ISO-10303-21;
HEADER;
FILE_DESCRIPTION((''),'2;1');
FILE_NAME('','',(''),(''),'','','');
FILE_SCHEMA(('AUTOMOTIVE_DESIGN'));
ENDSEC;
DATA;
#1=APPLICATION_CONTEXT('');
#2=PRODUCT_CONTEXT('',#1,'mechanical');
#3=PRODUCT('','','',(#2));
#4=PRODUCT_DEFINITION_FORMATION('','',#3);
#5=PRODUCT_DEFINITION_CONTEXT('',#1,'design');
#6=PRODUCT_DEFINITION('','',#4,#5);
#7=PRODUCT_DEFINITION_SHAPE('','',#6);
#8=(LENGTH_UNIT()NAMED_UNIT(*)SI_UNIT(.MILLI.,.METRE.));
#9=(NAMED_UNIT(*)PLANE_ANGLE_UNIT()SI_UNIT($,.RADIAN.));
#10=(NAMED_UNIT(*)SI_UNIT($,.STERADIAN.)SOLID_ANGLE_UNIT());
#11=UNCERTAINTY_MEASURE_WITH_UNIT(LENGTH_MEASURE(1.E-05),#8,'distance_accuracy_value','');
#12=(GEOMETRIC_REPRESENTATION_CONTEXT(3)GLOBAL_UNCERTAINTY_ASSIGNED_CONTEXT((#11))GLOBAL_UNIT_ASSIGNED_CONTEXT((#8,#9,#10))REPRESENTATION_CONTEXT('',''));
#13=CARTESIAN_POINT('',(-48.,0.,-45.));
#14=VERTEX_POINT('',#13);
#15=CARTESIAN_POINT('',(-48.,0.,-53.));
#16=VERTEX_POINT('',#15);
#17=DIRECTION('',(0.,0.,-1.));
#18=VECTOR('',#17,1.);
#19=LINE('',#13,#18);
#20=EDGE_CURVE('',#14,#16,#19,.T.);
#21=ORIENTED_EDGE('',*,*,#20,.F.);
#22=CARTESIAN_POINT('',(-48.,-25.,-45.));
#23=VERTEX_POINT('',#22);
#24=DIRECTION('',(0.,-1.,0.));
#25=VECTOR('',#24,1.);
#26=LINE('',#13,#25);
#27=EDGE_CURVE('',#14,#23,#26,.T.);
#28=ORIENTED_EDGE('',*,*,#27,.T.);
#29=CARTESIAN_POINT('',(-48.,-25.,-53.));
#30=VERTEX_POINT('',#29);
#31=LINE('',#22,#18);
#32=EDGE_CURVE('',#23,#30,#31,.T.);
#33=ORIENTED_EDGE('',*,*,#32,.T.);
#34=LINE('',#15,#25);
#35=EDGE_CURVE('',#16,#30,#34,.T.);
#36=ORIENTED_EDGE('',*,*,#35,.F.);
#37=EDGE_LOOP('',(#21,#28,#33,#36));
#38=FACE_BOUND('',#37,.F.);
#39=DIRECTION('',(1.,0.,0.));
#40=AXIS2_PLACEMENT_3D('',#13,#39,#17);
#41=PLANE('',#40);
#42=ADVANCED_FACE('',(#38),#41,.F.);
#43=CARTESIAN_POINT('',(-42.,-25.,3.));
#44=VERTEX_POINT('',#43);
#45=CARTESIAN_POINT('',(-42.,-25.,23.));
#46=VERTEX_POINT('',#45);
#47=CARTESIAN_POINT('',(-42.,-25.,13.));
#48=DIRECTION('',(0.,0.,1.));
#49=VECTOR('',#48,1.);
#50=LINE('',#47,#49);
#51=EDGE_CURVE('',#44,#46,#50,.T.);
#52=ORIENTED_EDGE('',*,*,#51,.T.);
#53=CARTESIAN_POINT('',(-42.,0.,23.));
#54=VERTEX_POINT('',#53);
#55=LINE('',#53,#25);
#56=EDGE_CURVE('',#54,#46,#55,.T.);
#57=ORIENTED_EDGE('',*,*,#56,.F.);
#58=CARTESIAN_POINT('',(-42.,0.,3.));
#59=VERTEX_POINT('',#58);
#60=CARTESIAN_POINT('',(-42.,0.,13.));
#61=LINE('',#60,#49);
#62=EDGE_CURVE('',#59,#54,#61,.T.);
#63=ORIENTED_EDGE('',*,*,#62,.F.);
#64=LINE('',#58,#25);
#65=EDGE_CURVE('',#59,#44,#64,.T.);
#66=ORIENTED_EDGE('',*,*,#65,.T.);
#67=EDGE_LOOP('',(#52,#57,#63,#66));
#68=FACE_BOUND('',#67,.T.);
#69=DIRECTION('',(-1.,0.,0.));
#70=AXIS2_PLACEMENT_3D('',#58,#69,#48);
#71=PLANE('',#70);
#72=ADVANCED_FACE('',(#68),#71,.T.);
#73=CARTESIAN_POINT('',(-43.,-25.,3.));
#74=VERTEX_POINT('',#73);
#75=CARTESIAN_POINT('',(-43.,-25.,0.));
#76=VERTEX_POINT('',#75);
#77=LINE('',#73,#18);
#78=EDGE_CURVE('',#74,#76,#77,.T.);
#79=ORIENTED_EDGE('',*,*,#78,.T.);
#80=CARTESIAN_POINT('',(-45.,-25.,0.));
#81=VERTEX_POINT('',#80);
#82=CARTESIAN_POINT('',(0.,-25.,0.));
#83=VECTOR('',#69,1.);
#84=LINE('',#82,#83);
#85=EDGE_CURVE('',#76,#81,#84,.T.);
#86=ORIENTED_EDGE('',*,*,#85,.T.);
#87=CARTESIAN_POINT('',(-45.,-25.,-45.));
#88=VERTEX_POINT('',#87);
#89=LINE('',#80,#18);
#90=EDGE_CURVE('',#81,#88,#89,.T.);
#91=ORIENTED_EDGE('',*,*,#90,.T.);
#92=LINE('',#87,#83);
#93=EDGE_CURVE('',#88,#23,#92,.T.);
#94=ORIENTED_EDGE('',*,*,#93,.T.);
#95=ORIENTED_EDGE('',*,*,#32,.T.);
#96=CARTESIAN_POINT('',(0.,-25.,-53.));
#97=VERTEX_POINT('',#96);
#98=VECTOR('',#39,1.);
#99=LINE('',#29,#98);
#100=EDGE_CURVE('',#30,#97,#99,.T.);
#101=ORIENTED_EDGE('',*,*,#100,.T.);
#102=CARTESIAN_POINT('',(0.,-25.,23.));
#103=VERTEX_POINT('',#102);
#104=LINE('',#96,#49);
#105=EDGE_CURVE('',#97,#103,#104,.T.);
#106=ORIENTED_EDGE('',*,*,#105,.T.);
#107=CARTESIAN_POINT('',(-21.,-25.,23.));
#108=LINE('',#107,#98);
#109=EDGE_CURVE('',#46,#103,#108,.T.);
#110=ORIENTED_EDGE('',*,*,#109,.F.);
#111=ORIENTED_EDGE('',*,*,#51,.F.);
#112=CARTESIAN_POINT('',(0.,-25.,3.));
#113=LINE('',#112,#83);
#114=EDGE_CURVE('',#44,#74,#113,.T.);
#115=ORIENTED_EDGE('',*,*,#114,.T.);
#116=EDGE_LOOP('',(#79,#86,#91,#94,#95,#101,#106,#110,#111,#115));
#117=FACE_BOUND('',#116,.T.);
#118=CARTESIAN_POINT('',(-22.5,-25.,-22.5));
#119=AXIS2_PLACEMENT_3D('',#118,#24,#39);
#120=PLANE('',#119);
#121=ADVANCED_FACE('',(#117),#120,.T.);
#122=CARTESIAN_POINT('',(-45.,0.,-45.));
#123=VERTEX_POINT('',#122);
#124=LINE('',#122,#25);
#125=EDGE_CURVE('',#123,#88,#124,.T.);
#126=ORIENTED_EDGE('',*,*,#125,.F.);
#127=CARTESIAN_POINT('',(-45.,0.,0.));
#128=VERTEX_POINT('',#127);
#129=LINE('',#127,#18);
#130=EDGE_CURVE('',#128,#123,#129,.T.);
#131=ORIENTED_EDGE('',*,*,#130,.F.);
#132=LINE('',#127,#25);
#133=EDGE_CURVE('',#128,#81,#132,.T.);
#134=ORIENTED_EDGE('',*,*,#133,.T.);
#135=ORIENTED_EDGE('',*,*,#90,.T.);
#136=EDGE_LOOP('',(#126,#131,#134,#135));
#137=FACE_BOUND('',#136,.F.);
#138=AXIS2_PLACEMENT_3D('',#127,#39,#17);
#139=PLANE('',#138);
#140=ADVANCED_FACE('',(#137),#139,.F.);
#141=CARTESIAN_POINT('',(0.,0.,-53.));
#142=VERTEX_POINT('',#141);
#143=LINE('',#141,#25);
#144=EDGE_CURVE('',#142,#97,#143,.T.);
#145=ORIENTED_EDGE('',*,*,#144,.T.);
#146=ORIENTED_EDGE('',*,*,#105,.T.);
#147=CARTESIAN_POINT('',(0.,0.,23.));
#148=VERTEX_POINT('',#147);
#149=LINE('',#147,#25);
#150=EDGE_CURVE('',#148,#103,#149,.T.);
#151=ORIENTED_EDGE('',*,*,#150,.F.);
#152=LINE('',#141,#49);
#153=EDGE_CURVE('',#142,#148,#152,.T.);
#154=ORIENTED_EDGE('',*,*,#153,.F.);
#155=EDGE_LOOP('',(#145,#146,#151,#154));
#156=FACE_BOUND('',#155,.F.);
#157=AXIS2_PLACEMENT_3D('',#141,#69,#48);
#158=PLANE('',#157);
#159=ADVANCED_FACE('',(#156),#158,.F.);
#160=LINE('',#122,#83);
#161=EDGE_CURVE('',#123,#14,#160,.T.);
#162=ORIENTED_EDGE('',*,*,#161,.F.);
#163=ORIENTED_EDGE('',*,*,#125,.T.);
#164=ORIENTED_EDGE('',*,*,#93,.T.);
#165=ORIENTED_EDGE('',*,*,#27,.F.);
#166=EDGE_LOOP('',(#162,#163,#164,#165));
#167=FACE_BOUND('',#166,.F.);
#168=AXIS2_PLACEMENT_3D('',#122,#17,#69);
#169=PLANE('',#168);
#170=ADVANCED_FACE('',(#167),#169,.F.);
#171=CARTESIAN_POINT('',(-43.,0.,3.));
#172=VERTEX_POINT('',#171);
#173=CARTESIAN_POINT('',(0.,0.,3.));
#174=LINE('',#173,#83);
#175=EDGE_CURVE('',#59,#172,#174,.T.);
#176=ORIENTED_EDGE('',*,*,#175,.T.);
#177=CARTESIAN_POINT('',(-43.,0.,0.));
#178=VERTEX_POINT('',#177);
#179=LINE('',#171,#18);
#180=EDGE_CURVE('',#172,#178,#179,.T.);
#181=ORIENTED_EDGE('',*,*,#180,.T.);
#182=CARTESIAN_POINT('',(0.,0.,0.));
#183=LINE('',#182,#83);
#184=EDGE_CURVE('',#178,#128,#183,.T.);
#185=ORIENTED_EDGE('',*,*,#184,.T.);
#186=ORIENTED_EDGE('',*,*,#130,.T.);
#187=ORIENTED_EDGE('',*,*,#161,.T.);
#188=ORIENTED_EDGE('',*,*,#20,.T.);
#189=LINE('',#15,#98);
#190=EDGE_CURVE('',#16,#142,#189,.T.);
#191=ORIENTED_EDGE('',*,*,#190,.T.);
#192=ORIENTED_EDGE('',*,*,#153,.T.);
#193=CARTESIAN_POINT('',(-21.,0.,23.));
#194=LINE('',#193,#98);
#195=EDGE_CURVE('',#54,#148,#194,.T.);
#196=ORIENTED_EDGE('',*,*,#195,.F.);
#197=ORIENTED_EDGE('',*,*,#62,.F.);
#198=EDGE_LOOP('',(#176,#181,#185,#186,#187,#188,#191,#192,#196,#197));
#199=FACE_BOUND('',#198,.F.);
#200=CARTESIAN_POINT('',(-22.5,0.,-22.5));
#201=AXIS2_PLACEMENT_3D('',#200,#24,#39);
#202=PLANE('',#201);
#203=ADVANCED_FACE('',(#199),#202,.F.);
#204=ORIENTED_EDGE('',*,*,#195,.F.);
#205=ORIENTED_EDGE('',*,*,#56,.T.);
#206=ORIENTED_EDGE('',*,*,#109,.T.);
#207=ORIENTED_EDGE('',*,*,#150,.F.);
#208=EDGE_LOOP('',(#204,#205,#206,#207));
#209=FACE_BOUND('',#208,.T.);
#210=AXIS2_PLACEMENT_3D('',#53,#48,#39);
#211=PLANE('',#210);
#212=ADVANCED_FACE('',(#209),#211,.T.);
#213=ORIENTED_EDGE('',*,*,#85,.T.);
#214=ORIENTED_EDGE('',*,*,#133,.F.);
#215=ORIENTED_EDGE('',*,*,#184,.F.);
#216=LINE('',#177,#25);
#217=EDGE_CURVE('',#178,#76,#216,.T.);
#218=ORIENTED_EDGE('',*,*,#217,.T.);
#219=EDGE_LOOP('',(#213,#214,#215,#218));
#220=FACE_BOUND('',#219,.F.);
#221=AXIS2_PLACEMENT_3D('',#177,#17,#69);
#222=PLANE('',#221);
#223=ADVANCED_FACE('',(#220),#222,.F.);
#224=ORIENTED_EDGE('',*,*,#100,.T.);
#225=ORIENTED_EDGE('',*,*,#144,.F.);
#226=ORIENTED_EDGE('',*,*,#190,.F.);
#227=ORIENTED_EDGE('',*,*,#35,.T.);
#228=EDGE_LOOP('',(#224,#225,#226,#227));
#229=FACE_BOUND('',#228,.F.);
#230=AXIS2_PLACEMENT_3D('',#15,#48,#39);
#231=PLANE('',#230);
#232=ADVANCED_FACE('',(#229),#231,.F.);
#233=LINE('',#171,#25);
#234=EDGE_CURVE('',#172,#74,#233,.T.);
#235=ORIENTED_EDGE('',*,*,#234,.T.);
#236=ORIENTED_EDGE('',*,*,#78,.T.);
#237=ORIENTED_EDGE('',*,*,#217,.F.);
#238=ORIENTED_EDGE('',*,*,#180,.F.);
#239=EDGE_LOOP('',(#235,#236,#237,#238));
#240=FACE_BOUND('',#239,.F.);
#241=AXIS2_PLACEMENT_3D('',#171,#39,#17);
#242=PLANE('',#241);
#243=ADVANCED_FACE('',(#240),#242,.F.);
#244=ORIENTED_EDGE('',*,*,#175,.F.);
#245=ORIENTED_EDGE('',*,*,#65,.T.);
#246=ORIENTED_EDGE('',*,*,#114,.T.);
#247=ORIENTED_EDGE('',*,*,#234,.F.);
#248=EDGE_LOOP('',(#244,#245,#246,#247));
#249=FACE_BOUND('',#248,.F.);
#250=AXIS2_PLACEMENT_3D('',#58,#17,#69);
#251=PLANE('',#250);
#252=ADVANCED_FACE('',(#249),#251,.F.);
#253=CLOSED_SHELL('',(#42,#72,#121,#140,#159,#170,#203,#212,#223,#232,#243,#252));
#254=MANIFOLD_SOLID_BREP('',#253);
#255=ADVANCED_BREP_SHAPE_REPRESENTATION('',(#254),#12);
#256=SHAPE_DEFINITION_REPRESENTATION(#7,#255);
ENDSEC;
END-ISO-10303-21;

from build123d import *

# Parameters (mm, degrees)
F0_W     = 42
F0_H     = 20
F1_DEPTH = 25


with BuildPart() as f1:
    # F0 (on Front) → F1 (new body)
    with BuildSketch(Plane.XZ):
        Polygon((0, -45), (0, 0), (-43, 0), (-45, 0), (-45, -45), align=None)
        Polygon((-43, 0), (0, 0), (0, 3), (-42, 3), (-43, 3), align=None)
        with Locations((-21, 13)):
            Rectangle(F0_W, F0_H)
        Polygon((0, -53), (0, -45), (-45, -45), (-48, -45), (-48, -53), align=None)
    extrude(amount=F1_DEPTH)


solid = f1.part
